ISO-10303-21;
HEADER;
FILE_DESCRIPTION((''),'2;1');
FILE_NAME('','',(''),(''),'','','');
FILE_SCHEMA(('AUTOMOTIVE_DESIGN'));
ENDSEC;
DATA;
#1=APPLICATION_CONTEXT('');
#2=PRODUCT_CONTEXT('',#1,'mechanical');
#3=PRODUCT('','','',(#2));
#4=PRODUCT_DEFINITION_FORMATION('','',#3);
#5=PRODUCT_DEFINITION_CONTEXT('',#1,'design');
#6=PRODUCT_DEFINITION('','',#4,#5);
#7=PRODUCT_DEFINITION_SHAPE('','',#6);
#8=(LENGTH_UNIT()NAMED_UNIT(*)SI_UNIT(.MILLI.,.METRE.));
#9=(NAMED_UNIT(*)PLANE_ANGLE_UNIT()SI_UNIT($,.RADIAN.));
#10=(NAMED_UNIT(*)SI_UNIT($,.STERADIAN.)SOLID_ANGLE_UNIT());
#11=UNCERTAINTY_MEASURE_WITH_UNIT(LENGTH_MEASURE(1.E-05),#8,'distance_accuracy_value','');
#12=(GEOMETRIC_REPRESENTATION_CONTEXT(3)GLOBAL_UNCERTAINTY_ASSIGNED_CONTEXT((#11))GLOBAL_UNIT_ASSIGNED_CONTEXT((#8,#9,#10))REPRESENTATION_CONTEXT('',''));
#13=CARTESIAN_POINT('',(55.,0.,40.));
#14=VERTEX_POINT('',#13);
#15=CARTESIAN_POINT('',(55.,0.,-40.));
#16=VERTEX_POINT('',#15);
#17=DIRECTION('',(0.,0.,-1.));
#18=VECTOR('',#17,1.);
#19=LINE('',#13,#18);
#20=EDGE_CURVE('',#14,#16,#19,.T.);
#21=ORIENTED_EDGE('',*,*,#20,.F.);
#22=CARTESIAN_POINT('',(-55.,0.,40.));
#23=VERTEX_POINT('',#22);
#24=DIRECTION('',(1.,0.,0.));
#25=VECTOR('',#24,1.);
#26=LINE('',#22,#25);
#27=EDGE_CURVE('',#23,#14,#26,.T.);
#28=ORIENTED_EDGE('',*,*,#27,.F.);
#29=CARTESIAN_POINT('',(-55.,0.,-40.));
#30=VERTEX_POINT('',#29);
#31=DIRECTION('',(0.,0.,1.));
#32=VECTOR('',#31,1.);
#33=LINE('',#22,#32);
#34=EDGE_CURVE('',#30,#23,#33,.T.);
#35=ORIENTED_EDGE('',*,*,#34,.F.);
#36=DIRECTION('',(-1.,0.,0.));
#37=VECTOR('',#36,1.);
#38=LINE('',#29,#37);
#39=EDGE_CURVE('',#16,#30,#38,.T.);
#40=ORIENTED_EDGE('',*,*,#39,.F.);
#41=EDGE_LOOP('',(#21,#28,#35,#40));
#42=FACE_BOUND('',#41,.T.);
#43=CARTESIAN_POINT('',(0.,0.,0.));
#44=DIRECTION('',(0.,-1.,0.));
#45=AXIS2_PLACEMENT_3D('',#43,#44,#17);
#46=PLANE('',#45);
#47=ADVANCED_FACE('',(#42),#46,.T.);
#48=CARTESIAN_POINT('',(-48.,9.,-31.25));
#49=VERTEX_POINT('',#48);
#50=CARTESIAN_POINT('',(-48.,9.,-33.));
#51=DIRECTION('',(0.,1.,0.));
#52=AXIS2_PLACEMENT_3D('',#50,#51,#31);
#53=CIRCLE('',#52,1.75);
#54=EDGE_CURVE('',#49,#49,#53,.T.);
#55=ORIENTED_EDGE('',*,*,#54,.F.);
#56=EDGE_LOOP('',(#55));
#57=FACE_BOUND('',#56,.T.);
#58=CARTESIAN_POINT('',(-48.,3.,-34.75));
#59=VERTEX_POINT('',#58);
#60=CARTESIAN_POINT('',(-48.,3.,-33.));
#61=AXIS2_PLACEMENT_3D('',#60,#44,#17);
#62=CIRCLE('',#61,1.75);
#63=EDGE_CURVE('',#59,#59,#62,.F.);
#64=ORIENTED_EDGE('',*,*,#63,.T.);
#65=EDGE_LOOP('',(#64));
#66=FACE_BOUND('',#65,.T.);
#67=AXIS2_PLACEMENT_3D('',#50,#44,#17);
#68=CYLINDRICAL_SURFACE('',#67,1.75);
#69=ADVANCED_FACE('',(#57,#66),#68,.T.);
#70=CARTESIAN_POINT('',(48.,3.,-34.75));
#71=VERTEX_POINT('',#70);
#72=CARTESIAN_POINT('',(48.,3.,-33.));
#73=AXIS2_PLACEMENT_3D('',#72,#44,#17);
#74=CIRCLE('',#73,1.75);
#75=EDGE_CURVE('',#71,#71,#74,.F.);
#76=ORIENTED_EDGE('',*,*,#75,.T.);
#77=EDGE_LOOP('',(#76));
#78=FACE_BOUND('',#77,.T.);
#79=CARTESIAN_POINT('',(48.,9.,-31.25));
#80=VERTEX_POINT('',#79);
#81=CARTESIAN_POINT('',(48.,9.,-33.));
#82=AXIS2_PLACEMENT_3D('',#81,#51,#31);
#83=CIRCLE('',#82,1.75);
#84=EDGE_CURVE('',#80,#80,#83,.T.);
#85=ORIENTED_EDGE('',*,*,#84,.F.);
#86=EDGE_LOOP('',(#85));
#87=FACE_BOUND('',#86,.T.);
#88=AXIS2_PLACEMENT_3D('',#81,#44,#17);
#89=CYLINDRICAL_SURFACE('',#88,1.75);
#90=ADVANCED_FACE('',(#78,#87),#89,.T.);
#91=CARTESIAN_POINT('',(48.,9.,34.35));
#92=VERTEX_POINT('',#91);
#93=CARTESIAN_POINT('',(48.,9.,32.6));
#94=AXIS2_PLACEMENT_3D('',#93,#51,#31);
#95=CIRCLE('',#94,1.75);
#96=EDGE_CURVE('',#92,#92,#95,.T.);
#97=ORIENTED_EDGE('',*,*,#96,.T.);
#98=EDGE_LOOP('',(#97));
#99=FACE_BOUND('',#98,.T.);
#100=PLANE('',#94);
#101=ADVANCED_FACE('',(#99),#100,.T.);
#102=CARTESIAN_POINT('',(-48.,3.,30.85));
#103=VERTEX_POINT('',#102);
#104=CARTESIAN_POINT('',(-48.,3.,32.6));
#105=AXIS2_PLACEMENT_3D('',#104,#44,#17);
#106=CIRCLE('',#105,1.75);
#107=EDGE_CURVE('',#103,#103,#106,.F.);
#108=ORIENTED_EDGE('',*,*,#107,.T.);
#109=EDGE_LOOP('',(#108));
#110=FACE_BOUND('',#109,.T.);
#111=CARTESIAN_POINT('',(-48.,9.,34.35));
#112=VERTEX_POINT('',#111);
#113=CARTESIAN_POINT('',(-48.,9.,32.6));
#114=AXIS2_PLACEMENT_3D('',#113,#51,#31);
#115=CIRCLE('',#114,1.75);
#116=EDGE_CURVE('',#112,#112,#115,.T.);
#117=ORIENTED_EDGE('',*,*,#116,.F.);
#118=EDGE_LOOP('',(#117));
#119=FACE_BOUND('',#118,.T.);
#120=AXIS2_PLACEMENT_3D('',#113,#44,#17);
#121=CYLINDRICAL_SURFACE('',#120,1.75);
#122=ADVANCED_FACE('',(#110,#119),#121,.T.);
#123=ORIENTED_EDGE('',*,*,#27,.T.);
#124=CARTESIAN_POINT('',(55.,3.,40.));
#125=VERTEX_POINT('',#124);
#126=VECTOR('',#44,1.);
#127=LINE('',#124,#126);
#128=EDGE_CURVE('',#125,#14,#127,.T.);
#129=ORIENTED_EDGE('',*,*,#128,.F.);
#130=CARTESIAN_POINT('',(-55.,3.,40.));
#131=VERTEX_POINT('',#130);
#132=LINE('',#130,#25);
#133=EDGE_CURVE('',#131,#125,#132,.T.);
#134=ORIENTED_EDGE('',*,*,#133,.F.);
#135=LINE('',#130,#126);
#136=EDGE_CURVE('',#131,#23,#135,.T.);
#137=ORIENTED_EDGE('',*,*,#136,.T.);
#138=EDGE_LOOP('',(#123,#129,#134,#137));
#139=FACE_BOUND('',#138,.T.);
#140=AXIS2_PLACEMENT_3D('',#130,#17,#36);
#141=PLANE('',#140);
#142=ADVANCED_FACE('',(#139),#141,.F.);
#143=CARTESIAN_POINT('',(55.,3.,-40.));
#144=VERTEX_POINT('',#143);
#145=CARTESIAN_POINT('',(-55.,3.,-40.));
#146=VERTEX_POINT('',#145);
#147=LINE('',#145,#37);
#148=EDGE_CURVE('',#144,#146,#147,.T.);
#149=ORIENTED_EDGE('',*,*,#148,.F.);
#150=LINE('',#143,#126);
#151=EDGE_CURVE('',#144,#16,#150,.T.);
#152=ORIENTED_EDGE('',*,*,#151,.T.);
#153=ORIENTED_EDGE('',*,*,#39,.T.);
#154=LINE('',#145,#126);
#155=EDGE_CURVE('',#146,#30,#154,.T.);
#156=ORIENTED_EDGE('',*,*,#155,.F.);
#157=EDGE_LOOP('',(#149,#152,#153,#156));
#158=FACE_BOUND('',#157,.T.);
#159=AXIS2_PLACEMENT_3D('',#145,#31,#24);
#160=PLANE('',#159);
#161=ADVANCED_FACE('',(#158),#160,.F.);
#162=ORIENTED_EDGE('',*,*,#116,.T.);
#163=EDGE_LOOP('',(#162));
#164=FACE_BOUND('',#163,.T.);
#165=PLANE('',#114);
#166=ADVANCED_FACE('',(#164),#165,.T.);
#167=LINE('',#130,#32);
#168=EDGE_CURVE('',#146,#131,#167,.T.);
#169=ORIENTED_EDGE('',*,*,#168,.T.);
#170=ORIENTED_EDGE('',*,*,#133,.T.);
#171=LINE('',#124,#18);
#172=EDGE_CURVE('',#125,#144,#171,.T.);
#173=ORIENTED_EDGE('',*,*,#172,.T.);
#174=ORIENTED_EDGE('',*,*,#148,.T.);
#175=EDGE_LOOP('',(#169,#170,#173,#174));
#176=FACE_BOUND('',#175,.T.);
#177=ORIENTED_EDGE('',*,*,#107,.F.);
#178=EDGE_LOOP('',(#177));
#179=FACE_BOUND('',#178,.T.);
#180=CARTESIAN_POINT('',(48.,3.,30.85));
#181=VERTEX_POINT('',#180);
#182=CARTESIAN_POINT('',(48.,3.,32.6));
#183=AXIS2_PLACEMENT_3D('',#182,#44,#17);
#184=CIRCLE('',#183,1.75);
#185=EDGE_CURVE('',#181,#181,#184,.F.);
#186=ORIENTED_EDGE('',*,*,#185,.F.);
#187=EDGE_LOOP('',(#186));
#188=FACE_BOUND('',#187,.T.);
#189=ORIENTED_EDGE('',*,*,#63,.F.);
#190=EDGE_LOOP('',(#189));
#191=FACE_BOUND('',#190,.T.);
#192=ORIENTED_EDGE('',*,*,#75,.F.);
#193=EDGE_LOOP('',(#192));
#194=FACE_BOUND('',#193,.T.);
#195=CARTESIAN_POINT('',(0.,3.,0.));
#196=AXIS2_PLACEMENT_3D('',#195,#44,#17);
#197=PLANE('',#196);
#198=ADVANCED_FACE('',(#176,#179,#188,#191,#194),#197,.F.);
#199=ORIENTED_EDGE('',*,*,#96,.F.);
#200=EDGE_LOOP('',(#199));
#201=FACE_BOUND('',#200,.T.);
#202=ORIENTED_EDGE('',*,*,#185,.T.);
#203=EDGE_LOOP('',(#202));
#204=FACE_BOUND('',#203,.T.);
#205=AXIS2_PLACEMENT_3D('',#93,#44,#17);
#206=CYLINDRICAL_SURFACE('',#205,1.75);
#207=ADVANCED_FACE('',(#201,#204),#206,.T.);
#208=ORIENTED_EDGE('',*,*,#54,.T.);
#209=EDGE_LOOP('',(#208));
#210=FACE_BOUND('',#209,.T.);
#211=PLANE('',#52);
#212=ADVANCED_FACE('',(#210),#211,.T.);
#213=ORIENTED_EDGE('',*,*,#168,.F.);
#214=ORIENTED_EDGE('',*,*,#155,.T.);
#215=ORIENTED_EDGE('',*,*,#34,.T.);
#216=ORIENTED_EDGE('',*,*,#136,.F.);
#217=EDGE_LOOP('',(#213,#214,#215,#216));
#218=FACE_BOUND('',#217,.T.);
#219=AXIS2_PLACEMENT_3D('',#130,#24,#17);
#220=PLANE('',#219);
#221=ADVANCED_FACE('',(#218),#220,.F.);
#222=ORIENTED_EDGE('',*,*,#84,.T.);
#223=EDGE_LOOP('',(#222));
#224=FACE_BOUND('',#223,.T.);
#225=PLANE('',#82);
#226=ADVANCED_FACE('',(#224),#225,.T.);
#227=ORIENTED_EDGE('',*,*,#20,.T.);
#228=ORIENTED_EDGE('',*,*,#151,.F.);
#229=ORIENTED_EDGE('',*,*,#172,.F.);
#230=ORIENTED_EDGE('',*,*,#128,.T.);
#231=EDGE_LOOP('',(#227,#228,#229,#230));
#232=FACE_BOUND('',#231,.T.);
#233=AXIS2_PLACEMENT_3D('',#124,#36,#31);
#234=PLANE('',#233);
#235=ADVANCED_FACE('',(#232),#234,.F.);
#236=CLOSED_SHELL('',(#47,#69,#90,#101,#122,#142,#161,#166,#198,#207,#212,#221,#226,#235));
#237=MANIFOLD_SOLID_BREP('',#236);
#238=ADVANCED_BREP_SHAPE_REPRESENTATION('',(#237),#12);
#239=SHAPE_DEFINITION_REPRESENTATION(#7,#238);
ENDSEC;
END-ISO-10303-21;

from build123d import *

# Parameters (mm, degrees)
ESQUISSE1_W        = 110
ESQUISSE1_H        = 80
BOSS_EXTRU_1_DEPTH = 3
ESQUISSE2_R        = 1.75
BOSS_EXTRU_2_DEPTH = 6


with BuildPart() as part:
    # Esquisse1 → Boss.-Extru.1 (new body)
    with BuildSketch(Plane(origin=(0, 0, 0), x_dir=(1, 0, 0), z_dir=(0, 1, 0))):
        Rectangle(ESQUISSE1_W, ESQUISSE1_H)
    extrude(amount=BOSS_EXTRU_1_DEPTH)

    # Esquisse2 → Boss.-Extru.2 (add)
    with BuildSketch(Plane(origin=(0, 3, 0), x_dir=(1, 0, 0), z_dir=(0, 1, 0))):
        with Locations(Location((-48, 33, 0), (0, 0, 90))):
            Circle(ESQUISSE2_R)
        with Locations(Location((-48, -32.6, 0), (0, 0, 90))):
            Circle(ESQUISSE2_R)
        with Locations(Location((48, -32.6, 0), (0, 0, 90))):
            Circle(ESQUISSE2_R)
        with Locations(Location((48, 33, 0), (0, 0, 90))):
            Circle(ESQUISSE2_R)
    extrude(amount=BOSS_EXTRU_2_DEPTH)


solid = part.part
